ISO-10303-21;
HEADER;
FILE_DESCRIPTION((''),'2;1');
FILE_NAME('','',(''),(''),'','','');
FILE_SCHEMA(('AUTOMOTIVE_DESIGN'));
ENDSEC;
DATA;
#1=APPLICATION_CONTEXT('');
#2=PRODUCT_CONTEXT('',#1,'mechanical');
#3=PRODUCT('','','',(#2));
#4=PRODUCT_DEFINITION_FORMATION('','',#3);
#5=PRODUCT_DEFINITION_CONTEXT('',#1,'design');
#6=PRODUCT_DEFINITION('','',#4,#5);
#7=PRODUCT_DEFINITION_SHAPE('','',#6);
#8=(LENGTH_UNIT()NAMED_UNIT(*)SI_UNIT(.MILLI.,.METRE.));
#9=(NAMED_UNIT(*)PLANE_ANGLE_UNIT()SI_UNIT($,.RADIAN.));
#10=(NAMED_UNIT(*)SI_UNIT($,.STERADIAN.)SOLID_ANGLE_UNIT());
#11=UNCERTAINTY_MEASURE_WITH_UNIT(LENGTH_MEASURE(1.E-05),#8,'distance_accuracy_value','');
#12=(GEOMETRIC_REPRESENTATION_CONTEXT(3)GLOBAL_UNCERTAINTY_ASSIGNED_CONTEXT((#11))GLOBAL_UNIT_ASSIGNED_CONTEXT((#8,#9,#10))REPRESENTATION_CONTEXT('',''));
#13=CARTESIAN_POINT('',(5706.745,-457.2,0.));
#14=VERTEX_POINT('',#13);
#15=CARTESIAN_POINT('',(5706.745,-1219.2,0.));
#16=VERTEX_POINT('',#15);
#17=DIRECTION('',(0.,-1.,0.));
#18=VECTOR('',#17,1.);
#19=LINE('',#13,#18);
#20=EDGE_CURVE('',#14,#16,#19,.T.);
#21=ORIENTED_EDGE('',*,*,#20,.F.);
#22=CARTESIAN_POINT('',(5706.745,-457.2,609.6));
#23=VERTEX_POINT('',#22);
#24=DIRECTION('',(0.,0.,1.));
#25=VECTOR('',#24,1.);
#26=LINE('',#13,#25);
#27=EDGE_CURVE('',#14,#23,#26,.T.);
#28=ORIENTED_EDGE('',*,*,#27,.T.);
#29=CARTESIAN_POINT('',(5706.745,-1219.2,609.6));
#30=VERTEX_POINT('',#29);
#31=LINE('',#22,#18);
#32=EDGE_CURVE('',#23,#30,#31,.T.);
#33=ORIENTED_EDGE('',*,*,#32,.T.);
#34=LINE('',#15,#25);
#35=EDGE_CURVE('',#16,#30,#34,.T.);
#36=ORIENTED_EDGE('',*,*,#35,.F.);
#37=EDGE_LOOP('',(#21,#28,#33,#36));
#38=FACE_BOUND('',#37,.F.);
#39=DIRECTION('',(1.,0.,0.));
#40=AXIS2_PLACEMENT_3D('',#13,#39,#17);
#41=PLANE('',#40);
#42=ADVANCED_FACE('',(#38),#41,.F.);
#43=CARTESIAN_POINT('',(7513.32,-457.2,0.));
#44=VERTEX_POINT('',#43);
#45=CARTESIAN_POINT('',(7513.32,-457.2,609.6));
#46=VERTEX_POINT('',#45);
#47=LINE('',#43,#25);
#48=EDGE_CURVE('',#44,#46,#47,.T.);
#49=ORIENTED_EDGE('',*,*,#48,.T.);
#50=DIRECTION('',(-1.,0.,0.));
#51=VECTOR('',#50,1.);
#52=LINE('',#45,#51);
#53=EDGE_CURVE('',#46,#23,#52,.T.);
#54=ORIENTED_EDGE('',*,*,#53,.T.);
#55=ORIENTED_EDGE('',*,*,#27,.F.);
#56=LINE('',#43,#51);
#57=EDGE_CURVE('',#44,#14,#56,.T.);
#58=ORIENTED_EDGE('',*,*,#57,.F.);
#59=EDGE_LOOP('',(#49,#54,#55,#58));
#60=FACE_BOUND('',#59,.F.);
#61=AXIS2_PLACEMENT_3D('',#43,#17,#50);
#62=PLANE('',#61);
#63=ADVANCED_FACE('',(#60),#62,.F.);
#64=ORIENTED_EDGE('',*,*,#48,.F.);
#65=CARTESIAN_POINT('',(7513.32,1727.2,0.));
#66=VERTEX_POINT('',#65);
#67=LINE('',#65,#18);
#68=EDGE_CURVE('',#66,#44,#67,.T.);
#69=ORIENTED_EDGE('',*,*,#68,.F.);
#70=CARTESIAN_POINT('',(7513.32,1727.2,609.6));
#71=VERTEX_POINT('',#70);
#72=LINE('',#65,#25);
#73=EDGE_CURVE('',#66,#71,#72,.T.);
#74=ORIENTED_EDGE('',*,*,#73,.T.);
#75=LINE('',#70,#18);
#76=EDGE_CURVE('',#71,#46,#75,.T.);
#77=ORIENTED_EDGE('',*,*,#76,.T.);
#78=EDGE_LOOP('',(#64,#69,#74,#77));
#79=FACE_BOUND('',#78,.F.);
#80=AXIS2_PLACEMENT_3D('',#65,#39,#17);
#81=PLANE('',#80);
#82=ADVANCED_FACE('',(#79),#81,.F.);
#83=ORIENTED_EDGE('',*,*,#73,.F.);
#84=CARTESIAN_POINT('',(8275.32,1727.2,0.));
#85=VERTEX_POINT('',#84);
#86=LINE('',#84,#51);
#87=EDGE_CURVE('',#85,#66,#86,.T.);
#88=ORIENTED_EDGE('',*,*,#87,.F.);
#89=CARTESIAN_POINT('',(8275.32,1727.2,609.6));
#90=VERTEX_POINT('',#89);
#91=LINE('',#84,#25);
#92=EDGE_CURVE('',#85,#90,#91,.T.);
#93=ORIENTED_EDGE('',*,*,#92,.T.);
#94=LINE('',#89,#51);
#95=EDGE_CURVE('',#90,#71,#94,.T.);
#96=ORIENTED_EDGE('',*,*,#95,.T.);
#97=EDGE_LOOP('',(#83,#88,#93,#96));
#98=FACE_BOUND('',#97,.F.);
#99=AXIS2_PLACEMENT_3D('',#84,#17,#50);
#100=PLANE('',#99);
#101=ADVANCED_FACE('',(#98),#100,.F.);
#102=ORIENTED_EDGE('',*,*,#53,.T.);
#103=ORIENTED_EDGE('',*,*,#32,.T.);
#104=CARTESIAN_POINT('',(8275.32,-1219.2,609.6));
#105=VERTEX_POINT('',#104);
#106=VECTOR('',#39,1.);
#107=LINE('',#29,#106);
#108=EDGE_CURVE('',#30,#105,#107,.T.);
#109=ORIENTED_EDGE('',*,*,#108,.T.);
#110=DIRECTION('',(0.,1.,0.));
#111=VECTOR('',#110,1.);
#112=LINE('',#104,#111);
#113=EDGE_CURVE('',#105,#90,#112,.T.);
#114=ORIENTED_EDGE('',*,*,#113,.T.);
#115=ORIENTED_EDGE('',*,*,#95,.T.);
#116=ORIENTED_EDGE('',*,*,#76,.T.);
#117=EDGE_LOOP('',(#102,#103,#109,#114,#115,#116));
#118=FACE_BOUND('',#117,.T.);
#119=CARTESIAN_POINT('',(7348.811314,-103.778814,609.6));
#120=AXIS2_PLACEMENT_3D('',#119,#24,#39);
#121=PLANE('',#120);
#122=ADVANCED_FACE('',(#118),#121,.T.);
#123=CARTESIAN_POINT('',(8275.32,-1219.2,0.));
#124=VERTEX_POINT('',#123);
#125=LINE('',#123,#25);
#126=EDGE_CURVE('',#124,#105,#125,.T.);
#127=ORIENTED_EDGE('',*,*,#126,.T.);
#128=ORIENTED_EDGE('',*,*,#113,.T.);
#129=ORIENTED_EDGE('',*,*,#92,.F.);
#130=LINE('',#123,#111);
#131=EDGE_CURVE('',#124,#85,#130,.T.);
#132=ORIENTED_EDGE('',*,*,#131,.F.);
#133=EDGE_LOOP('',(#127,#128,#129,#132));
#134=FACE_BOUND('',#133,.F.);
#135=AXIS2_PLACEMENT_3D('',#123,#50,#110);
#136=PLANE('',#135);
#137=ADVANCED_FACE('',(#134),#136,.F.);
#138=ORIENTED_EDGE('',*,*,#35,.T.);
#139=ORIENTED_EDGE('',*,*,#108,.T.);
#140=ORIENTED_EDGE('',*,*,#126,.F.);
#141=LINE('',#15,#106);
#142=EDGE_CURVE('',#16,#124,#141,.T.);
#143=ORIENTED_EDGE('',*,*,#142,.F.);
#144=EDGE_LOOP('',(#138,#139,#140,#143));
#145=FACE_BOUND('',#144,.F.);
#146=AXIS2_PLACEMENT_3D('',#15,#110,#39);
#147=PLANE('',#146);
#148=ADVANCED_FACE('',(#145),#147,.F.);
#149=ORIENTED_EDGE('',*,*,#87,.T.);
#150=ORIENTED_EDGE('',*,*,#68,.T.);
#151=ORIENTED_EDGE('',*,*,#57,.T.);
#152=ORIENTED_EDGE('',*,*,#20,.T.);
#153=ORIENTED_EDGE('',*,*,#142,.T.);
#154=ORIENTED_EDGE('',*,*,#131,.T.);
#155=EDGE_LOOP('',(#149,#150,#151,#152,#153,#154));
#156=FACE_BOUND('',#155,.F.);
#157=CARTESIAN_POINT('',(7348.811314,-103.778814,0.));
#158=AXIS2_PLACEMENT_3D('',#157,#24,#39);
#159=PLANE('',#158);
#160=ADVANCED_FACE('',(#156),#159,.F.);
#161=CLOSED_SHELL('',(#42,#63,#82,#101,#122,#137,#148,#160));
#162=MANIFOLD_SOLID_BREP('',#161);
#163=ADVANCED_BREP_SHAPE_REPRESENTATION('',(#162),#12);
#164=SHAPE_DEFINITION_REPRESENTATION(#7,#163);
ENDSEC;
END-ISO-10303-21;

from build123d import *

# Parameters (mm, degrees)
F3_DEPTH = 609.6


with BuildPart() as f3:
    # F2 (on face) → F3 (new body)
    with BuildSketch(Plane.XY):
        Polygon((5706.745, -1219.2), (8275.32, -1219.2), (8275.32, 1727.2), (7513.32, 1727.2), (7513.32, -457.2), (5706.745, -457.2), align=None)
    extrude(amount=F3_DEPTH)


solid = f3.part
